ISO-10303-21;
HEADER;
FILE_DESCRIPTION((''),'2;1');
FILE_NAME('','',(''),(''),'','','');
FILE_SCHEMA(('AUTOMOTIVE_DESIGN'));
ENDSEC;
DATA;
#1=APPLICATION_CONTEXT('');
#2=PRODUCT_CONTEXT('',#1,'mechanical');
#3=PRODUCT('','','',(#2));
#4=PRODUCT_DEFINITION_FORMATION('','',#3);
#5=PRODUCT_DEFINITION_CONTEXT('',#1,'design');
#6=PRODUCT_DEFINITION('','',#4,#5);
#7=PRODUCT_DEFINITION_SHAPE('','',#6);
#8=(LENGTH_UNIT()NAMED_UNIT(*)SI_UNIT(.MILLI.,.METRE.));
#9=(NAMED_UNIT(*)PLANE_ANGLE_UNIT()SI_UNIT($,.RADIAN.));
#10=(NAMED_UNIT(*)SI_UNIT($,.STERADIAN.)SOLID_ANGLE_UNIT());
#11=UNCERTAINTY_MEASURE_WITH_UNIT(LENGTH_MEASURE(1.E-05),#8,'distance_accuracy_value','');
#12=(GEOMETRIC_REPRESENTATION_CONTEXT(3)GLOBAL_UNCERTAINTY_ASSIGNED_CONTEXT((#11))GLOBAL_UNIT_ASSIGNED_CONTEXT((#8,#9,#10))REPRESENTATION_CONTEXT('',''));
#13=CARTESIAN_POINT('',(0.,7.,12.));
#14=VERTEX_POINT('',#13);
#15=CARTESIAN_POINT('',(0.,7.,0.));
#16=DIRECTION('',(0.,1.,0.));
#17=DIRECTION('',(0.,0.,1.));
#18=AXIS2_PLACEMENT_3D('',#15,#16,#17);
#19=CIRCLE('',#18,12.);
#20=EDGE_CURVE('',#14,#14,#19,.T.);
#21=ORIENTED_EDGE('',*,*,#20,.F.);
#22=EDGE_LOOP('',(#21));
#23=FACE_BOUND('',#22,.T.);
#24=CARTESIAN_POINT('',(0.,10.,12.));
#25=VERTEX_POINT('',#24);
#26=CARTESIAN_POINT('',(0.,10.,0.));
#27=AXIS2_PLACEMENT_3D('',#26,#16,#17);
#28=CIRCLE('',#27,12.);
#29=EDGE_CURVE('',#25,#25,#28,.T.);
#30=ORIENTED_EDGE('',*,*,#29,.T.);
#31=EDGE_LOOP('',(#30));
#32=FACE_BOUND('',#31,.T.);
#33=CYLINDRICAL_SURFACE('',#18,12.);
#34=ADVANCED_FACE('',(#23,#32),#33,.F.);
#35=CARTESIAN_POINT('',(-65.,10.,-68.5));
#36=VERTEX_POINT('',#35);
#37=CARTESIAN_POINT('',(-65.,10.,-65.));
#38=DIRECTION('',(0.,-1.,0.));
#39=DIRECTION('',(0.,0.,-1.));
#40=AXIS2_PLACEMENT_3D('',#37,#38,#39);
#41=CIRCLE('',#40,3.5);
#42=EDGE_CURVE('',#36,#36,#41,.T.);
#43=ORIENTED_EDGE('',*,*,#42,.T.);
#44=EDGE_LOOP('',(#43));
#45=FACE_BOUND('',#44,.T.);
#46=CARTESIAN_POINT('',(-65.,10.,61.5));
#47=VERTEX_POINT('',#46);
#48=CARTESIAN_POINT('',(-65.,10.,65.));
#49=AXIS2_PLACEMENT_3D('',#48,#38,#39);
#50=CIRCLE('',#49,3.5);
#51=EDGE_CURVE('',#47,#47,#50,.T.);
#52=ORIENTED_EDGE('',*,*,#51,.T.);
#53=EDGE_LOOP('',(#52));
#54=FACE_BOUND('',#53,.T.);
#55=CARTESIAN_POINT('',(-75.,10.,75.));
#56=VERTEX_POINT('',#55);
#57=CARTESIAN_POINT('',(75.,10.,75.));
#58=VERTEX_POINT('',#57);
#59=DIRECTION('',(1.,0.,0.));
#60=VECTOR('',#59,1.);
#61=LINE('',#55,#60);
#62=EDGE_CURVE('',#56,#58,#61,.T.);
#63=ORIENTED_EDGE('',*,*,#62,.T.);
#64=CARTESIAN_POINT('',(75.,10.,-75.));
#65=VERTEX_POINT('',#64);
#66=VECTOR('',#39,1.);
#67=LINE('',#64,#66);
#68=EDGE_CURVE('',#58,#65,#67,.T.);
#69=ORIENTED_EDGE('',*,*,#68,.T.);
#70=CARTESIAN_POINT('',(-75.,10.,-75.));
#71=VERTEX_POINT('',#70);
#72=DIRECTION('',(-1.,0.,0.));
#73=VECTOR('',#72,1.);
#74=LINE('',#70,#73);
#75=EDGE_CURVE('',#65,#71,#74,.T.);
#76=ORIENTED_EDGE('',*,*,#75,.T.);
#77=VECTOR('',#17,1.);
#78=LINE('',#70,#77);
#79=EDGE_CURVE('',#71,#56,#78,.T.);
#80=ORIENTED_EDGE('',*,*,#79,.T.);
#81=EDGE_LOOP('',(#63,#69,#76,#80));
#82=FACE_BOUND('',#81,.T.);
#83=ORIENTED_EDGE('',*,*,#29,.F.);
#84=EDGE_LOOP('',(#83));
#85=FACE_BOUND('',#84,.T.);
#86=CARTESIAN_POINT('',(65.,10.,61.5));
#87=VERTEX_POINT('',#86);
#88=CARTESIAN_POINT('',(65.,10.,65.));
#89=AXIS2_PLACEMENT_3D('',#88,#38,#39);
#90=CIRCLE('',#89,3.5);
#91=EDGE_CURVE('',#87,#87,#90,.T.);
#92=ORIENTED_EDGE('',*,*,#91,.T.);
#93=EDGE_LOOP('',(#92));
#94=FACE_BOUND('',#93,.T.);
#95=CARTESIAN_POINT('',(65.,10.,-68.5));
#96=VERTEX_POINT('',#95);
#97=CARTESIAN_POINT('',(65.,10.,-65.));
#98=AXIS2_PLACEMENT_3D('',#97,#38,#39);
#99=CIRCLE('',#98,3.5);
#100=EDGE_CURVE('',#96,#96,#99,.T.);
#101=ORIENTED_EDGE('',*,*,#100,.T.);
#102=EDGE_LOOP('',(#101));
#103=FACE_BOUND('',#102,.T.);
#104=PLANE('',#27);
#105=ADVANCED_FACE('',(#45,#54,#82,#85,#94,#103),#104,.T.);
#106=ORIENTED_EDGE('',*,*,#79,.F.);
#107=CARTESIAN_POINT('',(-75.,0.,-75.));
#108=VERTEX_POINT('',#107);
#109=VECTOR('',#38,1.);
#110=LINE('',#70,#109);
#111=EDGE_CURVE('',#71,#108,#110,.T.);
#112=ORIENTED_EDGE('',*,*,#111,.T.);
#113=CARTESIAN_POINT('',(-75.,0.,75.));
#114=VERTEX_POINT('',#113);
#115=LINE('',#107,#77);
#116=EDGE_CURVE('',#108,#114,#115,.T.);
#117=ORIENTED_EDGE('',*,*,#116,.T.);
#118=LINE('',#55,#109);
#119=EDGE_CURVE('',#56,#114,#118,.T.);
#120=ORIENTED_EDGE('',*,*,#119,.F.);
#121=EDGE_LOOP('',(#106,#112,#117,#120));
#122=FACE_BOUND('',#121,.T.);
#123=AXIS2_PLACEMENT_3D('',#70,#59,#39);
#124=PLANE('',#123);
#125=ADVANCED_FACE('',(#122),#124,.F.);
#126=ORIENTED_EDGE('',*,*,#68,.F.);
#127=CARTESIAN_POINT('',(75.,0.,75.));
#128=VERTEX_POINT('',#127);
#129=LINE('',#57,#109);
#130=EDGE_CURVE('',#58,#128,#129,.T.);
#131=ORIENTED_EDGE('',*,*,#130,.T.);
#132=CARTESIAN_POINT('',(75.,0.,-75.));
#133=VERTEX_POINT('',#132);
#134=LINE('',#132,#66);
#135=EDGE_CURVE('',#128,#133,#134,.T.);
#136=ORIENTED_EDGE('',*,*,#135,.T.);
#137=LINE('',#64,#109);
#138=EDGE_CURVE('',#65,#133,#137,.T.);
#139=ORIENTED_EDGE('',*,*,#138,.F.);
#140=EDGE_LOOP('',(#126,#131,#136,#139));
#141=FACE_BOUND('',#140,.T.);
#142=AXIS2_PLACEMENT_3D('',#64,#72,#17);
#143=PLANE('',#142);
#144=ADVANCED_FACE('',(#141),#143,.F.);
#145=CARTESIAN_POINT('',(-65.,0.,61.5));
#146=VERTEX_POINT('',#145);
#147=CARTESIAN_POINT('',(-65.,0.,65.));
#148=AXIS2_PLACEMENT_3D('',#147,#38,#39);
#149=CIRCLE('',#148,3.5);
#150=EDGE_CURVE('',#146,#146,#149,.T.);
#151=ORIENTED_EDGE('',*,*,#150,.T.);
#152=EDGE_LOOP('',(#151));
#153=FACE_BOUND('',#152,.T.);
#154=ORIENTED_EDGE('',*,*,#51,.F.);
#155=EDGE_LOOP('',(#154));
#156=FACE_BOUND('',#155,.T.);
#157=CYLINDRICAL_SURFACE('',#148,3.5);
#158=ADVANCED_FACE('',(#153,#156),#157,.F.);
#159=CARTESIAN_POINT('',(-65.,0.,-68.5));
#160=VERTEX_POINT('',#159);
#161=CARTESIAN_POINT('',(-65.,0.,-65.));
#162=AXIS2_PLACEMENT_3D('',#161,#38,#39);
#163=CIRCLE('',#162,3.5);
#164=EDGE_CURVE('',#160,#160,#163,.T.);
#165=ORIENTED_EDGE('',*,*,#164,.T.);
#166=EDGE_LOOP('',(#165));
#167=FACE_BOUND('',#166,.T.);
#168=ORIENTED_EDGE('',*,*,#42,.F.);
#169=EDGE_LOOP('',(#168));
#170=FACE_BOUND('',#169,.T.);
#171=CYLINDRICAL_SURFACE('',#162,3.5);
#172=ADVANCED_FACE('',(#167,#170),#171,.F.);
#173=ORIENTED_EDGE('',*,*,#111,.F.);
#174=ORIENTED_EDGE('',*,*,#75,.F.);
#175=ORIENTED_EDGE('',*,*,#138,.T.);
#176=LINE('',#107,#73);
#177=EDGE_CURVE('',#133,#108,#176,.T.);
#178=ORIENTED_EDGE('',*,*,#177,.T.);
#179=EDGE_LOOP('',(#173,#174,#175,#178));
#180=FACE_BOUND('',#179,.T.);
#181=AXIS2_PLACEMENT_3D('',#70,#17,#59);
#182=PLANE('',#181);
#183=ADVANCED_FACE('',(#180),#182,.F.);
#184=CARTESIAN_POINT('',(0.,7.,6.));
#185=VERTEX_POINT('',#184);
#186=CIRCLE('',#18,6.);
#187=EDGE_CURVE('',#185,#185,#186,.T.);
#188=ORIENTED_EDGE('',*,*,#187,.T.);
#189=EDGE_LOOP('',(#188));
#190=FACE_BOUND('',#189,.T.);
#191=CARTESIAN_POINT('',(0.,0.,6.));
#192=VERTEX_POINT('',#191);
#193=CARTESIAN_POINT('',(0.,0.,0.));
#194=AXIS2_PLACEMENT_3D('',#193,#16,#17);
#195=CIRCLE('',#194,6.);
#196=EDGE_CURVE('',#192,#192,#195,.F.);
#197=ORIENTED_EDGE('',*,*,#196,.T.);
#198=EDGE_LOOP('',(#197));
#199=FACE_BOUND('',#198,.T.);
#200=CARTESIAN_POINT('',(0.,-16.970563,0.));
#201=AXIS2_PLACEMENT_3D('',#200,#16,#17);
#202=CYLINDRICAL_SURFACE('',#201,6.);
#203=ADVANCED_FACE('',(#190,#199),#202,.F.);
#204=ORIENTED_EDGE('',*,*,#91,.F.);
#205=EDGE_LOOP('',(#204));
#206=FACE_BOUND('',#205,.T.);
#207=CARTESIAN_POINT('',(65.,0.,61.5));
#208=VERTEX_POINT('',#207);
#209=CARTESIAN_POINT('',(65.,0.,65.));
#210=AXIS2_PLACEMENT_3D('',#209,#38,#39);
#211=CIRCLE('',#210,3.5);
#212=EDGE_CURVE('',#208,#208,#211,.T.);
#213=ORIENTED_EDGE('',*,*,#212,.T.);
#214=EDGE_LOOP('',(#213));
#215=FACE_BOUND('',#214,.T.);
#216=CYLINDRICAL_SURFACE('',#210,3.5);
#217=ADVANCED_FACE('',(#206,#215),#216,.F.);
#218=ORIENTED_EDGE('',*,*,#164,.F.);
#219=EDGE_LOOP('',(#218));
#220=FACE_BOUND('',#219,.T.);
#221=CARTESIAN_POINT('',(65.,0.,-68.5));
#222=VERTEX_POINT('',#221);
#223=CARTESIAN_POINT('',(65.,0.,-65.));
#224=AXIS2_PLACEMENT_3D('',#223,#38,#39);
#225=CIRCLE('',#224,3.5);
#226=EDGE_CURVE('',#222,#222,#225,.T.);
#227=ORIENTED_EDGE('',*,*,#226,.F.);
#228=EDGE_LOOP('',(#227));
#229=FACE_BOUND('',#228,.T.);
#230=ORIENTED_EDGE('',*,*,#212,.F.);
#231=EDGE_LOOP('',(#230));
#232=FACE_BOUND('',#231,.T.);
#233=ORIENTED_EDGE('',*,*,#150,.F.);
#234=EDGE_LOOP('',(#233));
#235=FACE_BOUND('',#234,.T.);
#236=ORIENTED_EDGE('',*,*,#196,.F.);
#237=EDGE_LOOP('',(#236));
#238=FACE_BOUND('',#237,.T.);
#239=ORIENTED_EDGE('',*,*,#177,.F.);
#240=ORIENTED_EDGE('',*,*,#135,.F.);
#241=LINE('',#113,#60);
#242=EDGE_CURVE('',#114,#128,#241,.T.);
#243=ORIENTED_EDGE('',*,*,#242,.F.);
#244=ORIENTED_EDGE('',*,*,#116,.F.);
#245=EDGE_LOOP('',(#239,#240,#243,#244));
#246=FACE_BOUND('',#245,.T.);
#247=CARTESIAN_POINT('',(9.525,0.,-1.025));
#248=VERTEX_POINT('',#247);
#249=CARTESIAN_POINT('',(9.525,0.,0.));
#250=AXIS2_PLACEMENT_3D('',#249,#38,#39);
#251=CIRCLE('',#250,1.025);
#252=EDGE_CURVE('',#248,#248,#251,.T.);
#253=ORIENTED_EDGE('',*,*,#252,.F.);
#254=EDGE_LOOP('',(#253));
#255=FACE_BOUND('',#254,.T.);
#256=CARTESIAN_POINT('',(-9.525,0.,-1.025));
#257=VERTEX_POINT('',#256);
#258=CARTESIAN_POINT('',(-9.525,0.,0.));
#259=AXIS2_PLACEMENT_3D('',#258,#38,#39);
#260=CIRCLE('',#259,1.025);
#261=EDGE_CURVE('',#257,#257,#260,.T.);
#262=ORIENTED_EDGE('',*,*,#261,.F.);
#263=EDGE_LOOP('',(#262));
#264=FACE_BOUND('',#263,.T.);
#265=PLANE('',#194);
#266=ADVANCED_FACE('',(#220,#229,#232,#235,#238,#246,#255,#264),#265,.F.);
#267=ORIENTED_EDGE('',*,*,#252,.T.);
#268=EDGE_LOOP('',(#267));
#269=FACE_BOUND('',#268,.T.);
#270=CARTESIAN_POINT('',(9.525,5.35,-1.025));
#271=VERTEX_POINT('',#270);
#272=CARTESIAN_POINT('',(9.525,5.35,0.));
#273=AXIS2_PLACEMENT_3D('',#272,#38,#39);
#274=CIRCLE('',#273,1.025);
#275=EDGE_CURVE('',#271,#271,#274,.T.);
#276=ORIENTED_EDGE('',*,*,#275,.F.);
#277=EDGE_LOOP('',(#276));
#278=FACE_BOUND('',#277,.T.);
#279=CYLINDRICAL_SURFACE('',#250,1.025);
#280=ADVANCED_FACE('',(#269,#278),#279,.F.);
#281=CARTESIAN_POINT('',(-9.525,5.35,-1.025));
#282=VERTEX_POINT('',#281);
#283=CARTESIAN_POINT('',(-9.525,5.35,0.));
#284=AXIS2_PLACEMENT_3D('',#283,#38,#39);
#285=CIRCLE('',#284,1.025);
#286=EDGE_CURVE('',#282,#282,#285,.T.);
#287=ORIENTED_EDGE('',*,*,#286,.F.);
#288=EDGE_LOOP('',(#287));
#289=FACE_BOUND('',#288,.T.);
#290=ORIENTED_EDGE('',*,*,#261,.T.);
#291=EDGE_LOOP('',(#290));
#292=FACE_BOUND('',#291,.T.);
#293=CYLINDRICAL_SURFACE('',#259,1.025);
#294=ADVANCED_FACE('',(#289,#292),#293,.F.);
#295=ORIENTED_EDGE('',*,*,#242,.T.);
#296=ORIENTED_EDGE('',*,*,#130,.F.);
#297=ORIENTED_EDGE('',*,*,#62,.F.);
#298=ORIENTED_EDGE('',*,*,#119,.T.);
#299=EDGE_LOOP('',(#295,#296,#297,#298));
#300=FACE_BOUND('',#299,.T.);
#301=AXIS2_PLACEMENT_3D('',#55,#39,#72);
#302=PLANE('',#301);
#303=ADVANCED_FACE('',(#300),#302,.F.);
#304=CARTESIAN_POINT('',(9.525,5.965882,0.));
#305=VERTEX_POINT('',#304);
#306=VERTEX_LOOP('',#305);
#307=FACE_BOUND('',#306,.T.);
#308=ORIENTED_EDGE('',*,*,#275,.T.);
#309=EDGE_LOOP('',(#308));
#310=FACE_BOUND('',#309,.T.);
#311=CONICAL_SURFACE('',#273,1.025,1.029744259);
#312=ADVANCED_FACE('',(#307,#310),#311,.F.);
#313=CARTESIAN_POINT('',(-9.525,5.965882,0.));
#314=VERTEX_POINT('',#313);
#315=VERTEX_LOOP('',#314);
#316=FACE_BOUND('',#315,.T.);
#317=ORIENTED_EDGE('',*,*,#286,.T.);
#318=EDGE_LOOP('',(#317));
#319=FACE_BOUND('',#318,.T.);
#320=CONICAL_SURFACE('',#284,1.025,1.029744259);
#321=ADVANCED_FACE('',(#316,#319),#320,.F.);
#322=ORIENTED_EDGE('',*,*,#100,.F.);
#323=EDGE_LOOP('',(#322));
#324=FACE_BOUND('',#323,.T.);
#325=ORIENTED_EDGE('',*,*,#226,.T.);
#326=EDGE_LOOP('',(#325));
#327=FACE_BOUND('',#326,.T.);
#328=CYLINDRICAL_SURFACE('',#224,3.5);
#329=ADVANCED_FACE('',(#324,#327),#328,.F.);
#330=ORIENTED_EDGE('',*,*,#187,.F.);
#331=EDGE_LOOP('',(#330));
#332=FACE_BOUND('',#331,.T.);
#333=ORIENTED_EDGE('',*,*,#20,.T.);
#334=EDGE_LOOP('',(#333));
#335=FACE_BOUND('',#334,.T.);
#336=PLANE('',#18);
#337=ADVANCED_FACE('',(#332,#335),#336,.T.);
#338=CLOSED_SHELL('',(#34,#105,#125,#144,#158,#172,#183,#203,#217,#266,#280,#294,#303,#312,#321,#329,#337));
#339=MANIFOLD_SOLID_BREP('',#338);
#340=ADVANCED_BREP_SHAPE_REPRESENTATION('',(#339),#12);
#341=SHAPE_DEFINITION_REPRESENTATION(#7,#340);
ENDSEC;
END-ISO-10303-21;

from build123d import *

# Parameters (mm, degrees)
SKETCH1_W               = 150
SKETCH1_H               = 150
BOSS_EXTRUDE1_DEPTH     = 10
SKETCH2_R               = 12
CUT_EXTRUDE1_DEPTH      = 3
SKETCH3_R               = 6
CUT_EXTRUDE2_DEPTH      = 7
HOLE1_D                 = 7
M2_5_TAPPED_HOLE1_D     = 2.05
M2_5_TAPPED_HOLE1_DEPTH = 5.35
M2_5_TAPPED_HOLE1_TIP   = 0.615882135


with BuildPart() as part:
    # Sketch1 → Boss-Extrude1 (new body)
    with BuildSketch(Plane(origin=(0, 0, 0), x_dir=(1, 0, 0), z_dir=(0, 1, 0))):
        Rectangle(SKETCH1_W, SKETCH1_H)
    extrude(amount=BOSS_EXTRUDE1_DEPTH)

    # Sketch2 → Cut-Extrude1 (cut)
    with BuildSketch(Plane(origin=(0, 10, 0), x_dir=(1, 0, 0), z_dir=(0, 1, 0))):
        with Locations(Location((0, 0, 0), (0, 0, 270))):
            Circle(SKETCH2_R)
    extrude(amount=-CUT_EXTRUDE1_DEPTH, mode=Mode.SUBTRACT)

    # Sketch3 → Cut-Extrude2 (cut)
    with BuildSketch(Plane(origin=(0, 7, 0), x_dir=(1, 0, 0), z_dir=(0, 1, 0))):
        with Locations(Location((0, 0, 0), (0, 0, 270))):
            Circle(SKETCH3_R)
    extrude(amount=-CUT_EXTRUDE2_DEPTH, mode=Mode.SUBTRACT)

    # Hole1 (through all)
    with Locations(Plane(origin=(65, 0, 65), x_dir=(0, 0, -1), z_dir=(0, -1, 0))):
        with Locations((0, 0), (130, 0), (130, -130), (0, -130)):
            Hole(HOLE1_D / 2)

    # M2.5 Tapped Hole1
    with Locations(Plane(origin=(-9.525, 0, 0), x_dir=(0, 0, -1), z_dir=(0, -1, 0))):
        with Locations((0, 0), (0, 19.05)):
            Hole(M2_5_TAPPED_HOLE1_D / 2, depth=M2_5_TAPPED_HOLE1_DEPTH)
            with Locations((0, 0, -(M2_5_TAPPED_HOLE1_DEPTH + M2_5_TAPPED_HOLE1_TIP / 2))):  # 118° drill point
                Cone(0, M2_5_TAPPED_HOLE1_D / 2, M2_5_TAPPED_HOLE1_TIP, mode=Mode.SUBTRACT)


solid = part.part
